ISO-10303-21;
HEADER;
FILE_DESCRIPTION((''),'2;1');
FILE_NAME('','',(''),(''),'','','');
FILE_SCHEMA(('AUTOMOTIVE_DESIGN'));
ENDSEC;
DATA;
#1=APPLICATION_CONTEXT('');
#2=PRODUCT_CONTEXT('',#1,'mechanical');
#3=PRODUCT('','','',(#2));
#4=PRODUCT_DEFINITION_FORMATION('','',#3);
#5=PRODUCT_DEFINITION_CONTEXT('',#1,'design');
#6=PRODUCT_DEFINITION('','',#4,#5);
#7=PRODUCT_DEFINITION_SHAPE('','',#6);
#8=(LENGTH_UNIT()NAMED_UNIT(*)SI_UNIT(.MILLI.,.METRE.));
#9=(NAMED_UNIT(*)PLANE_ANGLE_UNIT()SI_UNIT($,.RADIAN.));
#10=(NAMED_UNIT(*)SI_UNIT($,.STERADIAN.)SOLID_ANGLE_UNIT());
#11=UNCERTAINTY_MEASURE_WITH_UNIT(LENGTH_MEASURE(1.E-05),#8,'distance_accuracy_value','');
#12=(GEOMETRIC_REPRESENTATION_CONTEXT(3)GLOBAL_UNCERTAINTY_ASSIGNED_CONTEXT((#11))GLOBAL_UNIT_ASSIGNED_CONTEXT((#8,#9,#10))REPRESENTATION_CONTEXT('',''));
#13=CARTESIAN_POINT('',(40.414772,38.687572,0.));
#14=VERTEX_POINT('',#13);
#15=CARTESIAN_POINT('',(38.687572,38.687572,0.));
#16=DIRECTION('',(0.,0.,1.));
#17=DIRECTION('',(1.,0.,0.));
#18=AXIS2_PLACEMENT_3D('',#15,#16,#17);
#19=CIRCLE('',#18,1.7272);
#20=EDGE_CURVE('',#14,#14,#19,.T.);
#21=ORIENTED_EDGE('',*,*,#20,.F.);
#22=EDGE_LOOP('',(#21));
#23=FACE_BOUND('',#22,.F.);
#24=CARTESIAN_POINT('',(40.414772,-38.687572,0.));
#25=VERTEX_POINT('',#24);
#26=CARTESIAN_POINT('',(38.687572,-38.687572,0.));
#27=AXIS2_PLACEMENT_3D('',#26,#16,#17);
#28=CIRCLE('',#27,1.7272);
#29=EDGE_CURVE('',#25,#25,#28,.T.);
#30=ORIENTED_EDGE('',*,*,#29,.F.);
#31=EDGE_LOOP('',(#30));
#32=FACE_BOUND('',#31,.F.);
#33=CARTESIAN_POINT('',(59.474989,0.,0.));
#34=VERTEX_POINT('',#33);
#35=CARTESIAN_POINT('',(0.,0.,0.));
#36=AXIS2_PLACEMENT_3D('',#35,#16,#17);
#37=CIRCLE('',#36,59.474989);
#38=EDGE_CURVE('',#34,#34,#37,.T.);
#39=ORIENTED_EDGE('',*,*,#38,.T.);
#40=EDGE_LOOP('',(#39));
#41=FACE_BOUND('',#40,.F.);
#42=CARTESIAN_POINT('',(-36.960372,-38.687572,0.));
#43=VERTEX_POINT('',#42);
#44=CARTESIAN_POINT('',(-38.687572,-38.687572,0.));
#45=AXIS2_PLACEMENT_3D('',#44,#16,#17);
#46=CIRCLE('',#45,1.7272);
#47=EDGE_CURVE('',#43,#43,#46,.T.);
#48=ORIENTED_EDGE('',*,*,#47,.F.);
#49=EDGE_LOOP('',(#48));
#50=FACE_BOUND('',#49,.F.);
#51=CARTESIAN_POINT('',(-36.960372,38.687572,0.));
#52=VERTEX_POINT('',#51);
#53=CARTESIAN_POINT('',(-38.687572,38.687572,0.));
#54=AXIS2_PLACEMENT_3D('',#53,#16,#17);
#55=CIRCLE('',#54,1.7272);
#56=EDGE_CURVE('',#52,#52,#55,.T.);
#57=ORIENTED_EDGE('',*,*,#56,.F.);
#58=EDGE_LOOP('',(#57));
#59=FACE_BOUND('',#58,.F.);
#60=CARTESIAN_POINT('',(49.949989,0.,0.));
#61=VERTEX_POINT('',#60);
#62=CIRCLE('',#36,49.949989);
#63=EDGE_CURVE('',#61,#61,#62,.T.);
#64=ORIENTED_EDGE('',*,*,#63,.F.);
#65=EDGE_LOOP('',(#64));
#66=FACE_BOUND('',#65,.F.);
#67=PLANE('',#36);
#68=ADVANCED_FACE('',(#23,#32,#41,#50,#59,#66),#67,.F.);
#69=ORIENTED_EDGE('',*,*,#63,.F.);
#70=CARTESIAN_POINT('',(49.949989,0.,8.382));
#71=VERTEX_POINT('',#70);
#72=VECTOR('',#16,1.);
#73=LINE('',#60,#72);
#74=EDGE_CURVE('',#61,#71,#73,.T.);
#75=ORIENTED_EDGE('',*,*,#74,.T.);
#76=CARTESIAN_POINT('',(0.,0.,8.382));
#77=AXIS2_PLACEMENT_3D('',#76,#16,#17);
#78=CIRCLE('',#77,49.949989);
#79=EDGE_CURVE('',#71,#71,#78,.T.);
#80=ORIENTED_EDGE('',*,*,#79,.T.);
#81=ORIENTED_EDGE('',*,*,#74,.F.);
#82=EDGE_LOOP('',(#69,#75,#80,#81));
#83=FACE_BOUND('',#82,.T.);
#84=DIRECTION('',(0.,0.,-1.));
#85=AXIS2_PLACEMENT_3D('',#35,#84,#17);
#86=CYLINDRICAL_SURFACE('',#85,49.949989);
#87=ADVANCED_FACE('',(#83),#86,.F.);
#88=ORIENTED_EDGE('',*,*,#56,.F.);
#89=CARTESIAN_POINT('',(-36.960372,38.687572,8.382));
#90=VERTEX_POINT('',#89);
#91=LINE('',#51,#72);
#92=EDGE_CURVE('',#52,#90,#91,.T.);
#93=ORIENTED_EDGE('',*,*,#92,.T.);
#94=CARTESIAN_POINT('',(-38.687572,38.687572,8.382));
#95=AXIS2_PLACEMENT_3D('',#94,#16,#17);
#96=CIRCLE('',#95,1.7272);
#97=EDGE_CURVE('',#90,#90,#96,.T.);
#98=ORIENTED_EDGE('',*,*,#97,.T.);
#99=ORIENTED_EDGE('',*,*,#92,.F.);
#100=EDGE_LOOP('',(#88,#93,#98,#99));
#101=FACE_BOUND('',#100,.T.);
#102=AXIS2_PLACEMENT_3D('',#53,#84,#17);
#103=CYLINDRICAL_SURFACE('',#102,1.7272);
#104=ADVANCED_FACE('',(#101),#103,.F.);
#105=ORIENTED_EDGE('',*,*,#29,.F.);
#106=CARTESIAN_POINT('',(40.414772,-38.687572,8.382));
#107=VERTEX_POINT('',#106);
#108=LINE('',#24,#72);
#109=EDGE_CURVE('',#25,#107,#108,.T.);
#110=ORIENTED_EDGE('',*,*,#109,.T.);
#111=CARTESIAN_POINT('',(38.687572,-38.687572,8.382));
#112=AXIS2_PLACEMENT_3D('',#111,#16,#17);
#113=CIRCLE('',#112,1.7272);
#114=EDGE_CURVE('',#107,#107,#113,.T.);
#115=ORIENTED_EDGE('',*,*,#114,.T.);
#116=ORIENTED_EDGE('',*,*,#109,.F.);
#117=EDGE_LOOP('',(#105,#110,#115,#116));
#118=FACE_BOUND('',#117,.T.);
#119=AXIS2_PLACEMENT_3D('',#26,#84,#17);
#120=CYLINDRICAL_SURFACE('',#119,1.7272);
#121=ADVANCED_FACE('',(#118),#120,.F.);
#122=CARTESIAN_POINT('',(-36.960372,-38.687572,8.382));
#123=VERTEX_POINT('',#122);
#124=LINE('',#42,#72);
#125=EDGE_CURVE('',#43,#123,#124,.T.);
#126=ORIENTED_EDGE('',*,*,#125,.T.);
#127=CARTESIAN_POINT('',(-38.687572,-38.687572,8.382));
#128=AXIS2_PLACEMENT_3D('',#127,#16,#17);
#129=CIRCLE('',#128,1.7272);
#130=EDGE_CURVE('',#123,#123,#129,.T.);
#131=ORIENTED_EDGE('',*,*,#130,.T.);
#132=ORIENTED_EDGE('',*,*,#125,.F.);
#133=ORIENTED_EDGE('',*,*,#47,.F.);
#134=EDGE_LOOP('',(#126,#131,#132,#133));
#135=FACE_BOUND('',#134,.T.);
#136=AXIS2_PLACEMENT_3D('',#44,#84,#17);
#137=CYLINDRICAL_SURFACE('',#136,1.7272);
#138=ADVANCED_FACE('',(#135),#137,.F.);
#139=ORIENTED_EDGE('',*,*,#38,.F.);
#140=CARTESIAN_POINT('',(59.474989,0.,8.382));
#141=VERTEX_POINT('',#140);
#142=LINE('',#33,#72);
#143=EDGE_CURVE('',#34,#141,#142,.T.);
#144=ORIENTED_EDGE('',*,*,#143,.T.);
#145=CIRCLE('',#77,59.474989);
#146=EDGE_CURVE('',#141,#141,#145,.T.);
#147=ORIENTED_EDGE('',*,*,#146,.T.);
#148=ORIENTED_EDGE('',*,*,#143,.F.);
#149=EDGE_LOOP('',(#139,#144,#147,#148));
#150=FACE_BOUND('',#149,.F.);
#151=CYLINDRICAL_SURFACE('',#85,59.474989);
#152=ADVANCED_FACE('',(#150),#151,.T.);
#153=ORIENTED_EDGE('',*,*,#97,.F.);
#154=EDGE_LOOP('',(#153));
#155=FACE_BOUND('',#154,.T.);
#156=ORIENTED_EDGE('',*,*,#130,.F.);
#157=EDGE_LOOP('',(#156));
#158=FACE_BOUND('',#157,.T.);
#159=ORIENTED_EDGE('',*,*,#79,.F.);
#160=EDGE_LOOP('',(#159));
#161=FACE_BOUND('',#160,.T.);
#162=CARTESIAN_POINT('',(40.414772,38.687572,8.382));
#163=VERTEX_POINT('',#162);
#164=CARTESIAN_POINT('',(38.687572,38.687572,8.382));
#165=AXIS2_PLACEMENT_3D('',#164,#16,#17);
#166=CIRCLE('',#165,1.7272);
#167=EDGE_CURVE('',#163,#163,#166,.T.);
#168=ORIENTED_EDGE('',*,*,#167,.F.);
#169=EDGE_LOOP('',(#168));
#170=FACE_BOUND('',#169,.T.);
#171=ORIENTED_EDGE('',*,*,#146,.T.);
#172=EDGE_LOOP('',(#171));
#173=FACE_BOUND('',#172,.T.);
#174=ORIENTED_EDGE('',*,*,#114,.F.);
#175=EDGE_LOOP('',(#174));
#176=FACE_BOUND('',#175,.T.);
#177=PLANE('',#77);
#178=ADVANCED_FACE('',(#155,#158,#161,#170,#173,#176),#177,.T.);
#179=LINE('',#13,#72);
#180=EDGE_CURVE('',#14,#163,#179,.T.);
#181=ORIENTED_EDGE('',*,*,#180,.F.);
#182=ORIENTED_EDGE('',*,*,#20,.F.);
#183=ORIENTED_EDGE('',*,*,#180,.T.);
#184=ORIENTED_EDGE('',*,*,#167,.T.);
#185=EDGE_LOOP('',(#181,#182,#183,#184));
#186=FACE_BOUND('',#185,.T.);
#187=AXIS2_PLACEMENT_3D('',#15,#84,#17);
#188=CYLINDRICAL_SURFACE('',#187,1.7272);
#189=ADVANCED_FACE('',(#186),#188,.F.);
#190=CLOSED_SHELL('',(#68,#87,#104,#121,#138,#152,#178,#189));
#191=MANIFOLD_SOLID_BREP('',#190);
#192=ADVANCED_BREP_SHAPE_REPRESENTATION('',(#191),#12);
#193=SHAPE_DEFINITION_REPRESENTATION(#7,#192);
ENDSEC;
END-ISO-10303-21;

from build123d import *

# Parameters (mm, degrees)
F0_R     = 59.474989
F0_R_2   = 1.7272
F0_R_3   = 49.949989
F1_DEPTH = 8.382


with BuildPart() as f1:
    # F0 (on Top) → F1 (new body)
    with BuildSketch(Plane.XY):
        Circle(F0_R)
        with Locations((-38.687572, -38.687572)):
            Circle(F0_R_2, mode=Mode.SUBTRACT)
        Circle(F0_R_3, mode=Mode.SUBTRACT)
        with Locations((38.687572, -38.687572)):
            Circle(F0_R_2, mode=Mode.SUBTRACT)
        with Locations((-38.687572, 38.687572)):
            Circle(F0_R_2, mode=Mode.SUBTRACT)
        with Locations((38.687572, 38.687572)):
            Circle(F0_R_2, mode=Mode.SUBTRACT)
    extrude(amount=F1_DEPTH)


solid = f1.part
